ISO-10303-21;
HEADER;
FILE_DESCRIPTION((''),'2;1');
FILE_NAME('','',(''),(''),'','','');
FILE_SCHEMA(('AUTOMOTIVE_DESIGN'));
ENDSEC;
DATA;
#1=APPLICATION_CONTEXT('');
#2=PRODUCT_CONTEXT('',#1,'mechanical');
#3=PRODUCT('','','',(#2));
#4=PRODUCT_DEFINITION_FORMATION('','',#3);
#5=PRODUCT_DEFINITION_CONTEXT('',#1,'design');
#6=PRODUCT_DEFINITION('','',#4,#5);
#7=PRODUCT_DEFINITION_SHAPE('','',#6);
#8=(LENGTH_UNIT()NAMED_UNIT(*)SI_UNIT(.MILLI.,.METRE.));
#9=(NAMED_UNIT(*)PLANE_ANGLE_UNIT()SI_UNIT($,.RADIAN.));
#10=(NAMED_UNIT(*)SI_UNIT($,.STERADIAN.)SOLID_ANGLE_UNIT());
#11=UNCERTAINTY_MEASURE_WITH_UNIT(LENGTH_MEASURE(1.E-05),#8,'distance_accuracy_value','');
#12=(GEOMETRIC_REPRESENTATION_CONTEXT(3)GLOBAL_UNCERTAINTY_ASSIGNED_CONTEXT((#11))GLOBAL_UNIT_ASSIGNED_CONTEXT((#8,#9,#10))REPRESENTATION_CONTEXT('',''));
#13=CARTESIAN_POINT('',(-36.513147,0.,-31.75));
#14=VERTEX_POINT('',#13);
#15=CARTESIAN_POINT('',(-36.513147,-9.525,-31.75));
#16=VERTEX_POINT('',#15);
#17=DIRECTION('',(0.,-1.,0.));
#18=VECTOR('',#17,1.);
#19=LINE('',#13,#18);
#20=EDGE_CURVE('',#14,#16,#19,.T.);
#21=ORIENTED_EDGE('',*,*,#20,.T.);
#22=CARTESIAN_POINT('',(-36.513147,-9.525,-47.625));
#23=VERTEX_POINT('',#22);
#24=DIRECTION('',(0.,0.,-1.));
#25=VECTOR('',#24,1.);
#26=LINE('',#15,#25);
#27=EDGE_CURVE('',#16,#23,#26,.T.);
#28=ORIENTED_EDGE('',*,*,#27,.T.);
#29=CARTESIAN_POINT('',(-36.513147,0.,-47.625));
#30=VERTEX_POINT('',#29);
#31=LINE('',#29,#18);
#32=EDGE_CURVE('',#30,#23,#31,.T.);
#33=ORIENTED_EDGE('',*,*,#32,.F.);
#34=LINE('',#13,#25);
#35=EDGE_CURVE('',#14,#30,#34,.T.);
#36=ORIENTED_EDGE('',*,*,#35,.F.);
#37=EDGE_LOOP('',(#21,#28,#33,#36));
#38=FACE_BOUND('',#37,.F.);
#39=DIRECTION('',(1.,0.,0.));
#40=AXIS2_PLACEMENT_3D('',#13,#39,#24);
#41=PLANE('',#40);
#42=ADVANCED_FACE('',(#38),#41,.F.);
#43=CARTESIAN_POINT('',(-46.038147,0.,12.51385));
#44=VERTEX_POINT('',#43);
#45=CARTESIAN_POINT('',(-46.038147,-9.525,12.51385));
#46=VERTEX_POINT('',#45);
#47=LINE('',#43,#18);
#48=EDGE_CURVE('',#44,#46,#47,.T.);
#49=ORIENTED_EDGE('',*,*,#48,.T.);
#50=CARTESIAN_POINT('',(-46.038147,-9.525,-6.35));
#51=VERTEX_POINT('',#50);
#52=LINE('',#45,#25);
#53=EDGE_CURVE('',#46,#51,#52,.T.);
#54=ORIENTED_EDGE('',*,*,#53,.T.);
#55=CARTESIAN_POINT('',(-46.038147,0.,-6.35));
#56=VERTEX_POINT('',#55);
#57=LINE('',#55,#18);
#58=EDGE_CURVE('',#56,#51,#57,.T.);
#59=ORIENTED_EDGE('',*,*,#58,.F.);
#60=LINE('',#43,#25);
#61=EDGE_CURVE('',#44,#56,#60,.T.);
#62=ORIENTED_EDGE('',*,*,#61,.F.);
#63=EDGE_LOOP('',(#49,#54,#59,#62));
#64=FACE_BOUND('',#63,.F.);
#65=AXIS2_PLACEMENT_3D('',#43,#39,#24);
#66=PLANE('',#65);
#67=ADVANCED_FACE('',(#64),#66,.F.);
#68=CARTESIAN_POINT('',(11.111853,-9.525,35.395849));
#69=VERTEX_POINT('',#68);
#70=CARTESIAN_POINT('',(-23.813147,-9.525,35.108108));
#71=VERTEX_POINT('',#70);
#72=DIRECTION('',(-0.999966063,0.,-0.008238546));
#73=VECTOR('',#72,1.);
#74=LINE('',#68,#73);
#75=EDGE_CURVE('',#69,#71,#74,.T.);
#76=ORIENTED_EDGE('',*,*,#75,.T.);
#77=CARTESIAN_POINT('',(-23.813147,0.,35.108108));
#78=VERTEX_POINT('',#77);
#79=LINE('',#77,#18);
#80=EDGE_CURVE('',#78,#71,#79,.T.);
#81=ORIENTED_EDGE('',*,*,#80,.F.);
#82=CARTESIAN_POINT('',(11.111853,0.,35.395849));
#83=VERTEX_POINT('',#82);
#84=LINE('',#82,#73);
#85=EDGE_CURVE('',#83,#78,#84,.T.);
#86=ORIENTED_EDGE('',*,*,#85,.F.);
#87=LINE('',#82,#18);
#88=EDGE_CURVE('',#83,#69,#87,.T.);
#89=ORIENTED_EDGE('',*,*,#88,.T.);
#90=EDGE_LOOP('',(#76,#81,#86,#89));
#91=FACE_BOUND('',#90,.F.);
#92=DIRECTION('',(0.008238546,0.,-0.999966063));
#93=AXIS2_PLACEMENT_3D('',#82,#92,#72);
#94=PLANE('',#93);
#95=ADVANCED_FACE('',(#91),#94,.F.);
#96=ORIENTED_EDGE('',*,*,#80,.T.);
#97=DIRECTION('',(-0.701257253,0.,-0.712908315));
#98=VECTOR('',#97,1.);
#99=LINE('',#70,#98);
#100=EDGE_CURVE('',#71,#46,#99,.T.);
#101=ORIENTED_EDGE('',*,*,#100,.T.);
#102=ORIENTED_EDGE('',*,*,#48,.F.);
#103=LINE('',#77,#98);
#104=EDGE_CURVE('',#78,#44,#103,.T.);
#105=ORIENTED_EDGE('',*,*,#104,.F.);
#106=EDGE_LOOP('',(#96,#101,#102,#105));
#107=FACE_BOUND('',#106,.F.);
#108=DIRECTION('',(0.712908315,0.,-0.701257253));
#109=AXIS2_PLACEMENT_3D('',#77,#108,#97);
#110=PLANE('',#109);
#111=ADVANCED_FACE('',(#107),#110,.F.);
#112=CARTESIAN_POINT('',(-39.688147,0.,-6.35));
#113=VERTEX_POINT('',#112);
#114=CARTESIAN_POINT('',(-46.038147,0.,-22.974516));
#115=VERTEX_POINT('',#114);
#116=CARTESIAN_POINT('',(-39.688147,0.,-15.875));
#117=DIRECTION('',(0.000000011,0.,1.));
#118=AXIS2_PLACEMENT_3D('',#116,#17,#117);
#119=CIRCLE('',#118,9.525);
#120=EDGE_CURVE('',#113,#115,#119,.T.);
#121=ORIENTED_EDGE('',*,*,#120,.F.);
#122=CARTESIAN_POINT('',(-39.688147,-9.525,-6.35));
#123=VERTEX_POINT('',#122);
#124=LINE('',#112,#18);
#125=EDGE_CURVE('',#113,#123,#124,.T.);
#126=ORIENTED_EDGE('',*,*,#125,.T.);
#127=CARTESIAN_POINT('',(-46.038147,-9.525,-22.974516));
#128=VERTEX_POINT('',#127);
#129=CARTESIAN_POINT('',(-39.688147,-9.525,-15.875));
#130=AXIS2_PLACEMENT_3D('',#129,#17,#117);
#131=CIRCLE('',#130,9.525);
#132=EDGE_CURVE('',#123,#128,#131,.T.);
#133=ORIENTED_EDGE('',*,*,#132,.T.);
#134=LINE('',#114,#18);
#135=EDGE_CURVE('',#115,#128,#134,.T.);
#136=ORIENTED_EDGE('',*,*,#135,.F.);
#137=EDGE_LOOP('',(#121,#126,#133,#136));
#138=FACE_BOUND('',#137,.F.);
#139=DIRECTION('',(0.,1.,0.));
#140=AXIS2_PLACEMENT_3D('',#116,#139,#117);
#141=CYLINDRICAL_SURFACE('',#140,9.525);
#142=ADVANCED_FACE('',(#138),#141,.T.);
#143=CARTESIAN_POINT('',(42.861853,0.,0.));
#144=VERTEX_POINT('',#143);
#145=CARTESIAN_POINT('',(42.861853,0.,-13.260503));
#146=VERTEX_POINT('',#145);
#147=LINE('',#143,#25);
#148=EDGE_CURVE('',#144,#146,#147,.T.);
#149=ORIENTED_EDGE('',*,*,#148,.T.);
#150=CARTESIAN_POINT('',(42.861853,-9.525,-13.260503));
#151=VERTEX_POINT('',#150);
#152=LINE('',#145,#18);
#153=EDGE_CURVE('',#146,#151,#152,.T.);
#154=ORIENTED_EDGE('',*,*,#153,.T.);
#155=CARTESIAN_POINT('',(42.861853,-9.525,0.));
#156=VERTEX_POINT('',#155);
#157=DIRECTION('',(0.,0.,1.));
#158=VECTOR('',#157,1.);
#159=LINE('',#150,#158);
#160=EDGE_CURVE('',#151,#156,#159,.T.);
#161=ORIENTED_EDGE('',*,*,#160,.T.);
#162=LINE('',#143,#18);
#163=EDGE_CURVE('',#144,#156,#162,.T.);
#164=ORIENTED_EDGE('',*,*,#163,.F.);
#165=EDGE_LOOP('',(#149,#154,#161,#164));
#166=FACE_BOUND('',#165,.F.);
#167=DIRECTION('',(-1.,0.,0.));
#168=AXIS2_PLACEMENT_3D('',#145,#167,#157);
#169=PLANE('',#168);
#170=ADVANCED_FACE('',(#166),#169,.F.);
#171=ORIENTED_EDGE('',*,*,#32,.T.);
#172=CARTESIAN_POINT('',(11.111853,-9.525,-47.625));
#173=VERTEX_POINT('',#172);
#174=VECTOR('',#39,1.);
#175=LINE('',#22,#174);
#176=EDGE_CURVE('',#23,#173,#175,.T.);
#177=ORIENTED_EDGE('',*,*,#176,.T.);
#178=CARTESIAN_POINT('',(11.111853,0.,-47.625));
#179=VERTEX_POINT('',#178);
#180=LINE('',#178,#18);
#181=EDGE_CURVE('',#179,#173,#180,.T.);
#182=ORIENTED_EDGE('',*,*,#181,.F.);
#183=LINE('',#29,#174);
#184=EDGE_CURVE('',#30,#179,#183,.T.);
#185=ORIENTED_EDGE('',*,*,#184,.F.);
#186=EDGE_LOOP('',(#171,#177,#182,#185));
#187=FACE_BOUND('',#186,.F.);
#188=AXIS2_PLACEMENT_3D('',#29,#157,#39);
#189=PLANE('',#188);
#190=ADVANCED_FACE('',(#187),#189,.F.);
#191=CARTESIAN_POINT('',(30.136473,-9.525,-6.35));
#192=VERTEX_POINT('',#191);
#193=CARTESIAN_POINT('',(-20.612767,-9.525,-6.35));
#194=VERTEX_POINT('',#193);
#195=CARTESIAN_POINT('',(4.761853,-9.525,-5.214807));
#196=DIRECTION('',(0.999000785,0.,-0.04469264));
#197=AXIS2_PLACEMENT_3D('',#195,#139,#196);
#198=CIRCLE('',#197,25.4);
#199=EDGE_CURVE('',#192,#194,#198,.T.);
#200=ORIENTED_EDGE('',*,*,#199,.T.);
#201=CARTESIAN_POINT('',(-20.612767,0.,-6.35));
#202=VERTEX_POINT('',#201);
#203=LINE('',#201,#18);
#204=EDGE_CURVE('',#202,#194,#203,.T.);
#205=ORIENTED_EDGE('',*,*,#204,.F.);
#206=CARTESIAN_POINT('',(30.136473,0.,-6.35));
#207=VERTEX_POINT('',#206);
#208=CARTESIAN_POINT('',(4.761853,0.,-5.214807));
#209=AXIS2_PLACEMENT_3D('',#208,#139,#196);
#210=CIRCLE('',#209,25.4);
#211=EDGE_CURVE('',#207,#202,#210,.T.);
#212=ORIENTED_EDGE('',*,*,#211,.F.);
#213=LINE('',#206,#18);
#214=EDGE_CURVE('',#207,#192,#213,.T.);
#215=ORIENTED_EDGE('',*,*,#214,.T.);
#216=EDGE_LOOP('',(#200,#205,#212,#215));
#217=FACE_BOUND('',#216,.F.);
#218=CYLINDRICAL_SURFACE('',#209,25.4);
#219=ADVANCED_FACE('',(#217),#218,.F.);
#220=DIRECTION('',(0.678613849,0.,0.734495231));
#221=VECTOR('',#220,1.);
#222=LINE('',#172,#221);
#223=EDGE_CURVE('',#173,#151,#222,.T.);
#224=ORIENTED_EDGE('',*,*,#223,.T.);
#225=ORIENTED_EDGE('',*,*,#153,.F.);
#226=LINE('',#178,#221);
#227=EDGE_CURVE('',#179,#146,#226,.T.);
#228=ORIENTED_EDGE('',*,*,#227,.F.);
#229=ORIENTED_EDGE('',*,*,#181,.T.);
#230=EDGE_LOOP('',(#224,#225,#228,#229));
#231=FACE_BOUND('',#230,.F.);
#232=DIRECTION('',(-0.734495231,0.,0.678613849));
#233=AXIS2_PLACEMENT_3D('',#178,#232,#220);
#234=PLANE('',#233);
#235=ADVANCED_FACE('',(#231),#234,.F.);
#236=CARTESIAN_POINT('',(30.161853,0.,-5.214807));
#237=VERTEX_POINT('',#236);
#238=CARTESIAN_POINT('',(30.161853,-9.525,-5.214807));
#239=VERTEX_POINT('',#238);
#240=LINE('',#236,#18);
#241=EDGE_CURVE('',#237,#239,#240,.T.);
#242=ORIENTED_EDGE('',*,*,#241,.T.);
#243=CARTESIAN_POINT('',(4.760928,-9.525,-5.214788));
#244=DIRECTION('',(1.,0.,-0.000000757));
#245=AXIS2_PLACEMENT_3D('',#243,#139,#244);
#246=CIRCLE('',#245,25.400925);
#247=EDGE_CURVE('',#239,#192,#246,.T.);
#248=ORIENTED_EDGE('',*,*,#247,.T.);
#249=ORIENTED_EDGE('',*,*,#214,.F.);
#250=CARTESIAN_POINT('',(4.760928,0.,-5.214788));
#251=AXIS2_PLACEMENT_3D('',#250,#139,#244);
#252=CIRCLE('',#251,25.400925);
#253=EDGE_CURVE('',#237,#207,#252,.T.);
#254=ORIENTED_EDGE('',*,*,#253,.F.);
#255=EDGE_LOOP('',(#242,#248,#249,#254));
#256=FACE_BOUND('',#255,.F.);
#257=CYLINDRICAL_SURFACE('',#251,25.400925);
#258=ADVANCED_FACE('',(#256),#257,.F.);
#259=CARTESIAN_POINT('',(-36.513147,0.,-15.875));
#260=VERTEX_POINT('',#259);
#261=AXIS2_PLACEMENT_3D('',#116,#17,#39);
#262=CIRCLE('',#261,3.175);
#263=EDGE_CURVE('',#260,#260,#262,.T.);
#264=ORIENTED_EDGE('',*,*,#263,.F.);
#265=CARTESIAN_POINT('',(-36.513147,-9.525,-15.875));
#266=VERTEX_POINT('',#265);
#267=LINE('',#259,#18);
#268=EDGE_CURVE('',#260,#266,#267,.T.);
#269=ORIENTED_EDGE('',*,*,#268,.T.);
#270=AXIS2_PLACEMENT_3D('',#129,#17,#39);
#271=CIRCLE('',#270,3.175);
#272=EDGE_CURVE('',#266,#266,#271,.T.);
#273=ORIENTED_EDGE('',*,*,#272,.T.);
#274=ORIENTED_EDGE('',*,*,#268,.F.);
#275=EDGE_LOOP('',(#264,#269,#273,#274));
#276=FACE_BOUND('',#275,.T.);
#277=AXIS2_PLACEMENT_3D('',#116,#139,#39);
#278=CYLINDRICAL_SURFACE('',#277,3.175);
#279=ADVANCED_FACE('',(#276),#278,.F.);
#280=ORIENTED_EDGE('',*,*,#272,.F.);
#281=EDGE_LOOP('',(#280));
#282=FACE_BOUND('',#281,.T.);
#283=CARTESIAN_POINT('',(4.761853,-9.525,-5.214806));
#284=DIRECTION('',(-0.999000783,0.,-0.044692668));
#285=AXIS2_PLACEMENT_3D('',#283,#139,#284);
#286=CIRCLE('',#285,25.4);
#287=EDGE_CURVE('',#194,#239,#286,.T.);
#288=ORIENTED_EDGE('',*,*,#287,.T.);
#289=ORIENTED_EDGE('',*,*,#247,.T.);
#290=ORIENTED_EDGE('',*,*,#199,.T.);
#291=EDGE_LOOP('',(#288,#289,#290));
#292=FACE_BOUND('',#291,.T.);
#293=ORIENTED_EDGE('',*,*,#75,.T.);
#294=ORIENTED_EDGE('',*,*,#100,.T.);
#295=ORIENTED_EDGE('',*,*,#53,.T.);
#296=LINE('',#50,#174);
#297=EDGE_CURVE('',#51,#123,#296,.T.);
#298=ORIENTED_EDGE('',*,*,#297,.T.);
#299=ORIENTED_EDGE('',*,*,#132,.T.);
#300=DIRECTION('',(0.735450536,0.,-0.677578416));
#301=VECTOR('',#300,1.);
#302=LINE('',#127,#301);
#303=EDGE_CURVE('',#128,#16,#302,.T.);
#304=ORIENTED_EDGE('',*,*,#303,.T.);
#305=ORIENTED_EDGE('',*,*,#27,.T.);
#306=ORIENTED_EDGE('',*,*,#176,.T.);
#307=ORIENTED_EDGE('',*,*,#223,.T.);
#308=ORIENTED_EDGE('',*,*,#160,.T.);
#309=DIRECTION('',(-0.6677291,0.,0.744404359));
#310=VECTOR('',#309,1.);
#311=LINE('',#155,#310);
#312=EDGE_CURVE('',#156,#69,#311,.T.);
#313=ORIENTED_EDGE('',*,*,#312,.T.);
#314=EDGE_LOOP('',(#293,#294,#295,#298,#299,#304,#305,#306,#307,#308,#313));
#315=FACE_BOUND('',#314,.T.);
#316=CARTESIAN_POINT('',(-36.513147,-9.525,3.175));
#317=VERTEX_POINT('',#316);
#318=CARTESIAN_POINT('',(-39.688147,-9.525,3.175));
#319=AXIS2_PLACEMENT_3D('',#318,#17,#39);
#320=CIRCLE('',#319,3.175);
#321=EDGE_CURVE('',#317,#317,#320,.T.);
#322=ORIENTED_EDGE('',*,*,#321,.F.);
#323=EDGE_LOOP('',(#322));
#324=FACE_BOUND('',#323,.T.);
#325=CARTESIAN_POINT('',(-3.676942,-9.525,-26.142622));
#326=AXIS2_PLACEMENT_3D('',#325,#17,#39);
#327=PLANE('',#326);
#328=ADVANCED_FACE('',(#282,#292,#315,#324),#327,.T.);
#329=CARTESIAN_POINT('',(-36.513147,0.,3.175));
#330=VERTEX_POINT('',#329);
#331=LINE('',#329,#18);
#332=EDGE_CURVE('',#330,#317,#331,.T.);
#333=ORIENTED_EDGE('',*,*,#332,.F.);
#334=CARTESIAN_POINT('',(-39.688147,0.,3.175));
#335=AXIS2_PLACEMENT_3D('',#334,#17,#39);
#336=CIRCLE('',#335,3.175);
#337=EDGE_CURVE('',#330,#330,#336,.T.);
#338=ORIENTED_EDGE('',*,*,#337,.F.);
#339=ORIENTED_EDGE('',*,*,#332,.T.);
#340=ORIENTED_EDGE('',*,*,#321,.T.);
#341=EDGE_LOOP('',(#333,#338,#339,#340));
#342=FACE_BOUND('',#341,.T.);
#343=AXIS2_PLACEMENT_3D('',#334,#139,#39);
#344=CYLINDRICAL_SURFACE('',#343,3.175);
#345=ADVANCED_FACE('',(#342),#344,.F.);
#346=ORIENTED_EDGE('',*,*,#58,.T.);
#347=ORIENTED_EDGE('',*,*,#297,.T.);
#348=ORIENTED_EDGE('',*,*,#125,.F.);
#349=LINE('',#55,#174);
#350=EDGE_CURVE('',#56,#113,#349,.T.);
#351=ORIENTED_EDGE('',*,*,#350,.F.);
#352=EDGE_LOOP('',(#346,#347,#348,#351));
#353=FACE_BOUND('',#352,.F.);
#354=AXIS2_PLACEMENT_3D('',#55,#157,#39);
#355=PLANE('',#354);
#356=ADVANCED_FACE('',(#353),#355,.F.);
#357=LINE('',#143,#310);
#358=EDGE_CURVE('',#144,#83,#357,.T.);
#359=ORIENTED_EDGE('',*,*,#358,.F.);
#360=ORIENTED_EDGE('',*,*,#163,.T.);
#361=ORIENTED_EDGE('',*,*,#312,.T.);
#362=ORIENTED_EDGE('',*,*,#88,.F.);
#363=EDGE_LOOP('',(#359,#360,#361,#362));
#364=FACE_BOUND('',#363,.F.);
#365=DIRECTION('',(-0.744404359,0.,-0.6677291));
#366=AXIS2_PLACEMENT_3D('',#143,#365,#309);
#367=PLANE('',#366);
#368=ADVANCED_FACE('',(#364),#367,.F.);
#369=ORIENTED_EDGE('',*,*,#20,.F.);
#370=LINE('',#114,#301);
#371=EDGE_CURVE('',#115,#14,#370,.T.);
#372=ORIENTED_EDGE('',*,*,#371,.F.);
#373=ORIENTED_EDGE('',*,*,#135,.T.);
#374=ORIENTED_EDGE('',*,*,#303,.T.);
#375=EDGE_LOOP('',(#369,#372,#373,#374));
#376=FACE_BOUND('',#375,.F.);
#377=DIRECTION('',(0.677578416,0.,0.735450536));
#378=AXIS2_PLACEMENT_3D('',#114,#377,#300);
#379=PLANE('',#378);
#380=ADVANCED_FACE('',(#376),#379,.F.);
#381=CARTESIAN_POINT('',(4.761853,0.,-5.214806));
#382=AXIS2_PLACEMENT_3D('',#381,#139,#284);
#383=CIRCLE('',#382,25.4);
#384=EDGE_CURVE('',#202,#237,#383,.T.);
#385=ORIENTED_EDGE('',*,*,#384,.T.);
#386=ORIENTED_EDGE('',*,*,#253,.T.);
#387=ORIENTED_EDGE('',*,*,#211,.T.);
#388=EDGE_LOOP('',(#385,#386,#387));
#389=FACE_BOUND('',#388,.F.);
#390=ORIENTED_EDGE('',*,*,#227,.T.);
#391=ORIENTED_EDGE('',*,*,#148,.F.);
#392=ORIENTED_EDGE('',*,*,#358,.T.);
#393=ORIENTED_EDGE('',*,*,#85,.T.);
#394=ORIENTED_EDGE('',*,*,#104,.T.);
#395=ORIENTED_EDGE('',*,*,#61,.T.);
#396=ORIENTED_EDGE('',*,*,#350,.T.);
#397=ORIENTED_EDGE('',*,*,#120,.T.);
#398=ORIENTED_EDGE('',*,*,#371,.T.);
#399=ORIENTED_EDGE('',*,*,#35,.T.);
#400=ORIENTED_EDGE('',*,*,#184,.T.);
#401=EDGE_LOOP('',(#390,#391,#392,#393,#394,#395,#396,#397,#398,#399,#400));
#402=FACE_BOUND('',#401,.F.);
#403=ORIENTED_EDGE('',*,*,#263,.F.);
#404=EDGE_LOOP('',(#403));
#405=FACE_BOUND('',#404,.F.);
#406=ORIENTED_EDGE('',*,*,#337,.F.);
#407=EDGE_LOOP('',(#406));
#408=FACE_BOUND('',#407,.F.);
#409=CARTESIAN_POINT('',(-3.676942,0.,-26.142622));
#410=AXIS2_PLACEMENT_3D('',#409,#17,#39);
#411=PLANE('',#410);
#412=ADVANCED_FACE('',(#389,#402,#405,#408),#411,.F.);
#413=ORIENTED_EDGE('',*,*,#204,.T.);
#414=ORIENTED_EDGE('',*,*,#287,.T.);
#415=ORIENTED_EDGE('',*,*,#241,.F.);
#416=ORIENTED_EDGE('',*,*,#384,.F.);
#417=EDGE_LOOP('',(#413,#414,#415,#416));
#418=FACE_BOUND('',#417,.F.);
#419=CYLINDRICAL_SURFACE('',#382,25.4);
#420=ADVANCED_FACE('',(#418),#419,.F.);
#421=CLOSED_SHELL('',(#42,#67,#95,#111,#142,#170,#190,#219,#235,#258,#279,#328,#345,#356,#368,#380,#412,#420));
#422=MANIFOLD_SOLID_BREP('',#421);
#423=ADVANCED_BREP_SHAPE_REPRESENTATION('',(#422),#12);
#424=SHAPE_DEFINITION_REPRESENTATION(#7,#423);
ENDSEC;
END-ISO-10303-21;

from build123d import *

# Parameters (mm, degrees)
F0_R     = 3.175
F1_DEPTH = 9.525
F2_DEPTH = 9.525


with BuildPart() as f1:
    # F0 (on Front) → F1 (new body)
    with BuildSketch(Plane.XZ):
        with BuildLine():
            Line((-23.813147, 35.108108), (-46.038147, 12.51385))
            Line((-46.038147, 12.51385), (-46.038147, -6.35))
            Line((-46.038147, -6.35), (-39.688147, -6.35))
            Line((-39.688147, -6.35), (-20.612767, -6.35))
            ThreePointArc((-20.612767, -6.35), (4.194114, 20.178848), (30.161853, -5.214807))
            ThreePointArc((30.161853, -5.214807), (30.155507, -5.782545), (30.136473, -6.35))
            Line((30.136473, -6.35), (42.861853, -6.35))
            Line((42.861853, -6.35), (42.861853, 0))
            Line((42.861853, 0), (11.111853, 35.395849))
            Line((11.111853, 35.395849), (-23.813147, 35.108108))
        make_face()
        with Locations((-39.688147, 3.175)):
            Circle(F0_R, mode=Mode.SUBTRACT)
    extrude(amount=F1_DEPTH)

    # F0 (on Front) → F2 (join)
    with BuildSketch(Plane.XZ):
        with BuildLine():
            Line((-20.612767, -6.35), (-39.688147, -6.35))
            ThreePointArc((-39.688147, -6.35), (-48.586139, -12.47627), (-46.038147, -22.974516))
            Line((-46.038147, -22.974516), (-36.513147, -31.75))
            Line((-36.513147, -31.75), (-36.513147, -47.625))
            Line((-36.513147, -47.625), (11.111853, -47.625))
            Line((11.111853, -47.625), (42.861853, -13.260503))
            Line((42.861853, -13.260503), (42.861853, -6.35))
            Line((42.861853, -6.35), (30.136473, -6.35))
            ThreePointArc((30.136473, -6.35), (4.761853, -30.614807), (-20.612767, -6.35))
        make_face()
        with Locations((-39.688147, -15.875)):
            Circle(F0_R, mode=Mode.SUBTRACT)
    extrude(amount=F2_DEPTH)


solid = f1.part
